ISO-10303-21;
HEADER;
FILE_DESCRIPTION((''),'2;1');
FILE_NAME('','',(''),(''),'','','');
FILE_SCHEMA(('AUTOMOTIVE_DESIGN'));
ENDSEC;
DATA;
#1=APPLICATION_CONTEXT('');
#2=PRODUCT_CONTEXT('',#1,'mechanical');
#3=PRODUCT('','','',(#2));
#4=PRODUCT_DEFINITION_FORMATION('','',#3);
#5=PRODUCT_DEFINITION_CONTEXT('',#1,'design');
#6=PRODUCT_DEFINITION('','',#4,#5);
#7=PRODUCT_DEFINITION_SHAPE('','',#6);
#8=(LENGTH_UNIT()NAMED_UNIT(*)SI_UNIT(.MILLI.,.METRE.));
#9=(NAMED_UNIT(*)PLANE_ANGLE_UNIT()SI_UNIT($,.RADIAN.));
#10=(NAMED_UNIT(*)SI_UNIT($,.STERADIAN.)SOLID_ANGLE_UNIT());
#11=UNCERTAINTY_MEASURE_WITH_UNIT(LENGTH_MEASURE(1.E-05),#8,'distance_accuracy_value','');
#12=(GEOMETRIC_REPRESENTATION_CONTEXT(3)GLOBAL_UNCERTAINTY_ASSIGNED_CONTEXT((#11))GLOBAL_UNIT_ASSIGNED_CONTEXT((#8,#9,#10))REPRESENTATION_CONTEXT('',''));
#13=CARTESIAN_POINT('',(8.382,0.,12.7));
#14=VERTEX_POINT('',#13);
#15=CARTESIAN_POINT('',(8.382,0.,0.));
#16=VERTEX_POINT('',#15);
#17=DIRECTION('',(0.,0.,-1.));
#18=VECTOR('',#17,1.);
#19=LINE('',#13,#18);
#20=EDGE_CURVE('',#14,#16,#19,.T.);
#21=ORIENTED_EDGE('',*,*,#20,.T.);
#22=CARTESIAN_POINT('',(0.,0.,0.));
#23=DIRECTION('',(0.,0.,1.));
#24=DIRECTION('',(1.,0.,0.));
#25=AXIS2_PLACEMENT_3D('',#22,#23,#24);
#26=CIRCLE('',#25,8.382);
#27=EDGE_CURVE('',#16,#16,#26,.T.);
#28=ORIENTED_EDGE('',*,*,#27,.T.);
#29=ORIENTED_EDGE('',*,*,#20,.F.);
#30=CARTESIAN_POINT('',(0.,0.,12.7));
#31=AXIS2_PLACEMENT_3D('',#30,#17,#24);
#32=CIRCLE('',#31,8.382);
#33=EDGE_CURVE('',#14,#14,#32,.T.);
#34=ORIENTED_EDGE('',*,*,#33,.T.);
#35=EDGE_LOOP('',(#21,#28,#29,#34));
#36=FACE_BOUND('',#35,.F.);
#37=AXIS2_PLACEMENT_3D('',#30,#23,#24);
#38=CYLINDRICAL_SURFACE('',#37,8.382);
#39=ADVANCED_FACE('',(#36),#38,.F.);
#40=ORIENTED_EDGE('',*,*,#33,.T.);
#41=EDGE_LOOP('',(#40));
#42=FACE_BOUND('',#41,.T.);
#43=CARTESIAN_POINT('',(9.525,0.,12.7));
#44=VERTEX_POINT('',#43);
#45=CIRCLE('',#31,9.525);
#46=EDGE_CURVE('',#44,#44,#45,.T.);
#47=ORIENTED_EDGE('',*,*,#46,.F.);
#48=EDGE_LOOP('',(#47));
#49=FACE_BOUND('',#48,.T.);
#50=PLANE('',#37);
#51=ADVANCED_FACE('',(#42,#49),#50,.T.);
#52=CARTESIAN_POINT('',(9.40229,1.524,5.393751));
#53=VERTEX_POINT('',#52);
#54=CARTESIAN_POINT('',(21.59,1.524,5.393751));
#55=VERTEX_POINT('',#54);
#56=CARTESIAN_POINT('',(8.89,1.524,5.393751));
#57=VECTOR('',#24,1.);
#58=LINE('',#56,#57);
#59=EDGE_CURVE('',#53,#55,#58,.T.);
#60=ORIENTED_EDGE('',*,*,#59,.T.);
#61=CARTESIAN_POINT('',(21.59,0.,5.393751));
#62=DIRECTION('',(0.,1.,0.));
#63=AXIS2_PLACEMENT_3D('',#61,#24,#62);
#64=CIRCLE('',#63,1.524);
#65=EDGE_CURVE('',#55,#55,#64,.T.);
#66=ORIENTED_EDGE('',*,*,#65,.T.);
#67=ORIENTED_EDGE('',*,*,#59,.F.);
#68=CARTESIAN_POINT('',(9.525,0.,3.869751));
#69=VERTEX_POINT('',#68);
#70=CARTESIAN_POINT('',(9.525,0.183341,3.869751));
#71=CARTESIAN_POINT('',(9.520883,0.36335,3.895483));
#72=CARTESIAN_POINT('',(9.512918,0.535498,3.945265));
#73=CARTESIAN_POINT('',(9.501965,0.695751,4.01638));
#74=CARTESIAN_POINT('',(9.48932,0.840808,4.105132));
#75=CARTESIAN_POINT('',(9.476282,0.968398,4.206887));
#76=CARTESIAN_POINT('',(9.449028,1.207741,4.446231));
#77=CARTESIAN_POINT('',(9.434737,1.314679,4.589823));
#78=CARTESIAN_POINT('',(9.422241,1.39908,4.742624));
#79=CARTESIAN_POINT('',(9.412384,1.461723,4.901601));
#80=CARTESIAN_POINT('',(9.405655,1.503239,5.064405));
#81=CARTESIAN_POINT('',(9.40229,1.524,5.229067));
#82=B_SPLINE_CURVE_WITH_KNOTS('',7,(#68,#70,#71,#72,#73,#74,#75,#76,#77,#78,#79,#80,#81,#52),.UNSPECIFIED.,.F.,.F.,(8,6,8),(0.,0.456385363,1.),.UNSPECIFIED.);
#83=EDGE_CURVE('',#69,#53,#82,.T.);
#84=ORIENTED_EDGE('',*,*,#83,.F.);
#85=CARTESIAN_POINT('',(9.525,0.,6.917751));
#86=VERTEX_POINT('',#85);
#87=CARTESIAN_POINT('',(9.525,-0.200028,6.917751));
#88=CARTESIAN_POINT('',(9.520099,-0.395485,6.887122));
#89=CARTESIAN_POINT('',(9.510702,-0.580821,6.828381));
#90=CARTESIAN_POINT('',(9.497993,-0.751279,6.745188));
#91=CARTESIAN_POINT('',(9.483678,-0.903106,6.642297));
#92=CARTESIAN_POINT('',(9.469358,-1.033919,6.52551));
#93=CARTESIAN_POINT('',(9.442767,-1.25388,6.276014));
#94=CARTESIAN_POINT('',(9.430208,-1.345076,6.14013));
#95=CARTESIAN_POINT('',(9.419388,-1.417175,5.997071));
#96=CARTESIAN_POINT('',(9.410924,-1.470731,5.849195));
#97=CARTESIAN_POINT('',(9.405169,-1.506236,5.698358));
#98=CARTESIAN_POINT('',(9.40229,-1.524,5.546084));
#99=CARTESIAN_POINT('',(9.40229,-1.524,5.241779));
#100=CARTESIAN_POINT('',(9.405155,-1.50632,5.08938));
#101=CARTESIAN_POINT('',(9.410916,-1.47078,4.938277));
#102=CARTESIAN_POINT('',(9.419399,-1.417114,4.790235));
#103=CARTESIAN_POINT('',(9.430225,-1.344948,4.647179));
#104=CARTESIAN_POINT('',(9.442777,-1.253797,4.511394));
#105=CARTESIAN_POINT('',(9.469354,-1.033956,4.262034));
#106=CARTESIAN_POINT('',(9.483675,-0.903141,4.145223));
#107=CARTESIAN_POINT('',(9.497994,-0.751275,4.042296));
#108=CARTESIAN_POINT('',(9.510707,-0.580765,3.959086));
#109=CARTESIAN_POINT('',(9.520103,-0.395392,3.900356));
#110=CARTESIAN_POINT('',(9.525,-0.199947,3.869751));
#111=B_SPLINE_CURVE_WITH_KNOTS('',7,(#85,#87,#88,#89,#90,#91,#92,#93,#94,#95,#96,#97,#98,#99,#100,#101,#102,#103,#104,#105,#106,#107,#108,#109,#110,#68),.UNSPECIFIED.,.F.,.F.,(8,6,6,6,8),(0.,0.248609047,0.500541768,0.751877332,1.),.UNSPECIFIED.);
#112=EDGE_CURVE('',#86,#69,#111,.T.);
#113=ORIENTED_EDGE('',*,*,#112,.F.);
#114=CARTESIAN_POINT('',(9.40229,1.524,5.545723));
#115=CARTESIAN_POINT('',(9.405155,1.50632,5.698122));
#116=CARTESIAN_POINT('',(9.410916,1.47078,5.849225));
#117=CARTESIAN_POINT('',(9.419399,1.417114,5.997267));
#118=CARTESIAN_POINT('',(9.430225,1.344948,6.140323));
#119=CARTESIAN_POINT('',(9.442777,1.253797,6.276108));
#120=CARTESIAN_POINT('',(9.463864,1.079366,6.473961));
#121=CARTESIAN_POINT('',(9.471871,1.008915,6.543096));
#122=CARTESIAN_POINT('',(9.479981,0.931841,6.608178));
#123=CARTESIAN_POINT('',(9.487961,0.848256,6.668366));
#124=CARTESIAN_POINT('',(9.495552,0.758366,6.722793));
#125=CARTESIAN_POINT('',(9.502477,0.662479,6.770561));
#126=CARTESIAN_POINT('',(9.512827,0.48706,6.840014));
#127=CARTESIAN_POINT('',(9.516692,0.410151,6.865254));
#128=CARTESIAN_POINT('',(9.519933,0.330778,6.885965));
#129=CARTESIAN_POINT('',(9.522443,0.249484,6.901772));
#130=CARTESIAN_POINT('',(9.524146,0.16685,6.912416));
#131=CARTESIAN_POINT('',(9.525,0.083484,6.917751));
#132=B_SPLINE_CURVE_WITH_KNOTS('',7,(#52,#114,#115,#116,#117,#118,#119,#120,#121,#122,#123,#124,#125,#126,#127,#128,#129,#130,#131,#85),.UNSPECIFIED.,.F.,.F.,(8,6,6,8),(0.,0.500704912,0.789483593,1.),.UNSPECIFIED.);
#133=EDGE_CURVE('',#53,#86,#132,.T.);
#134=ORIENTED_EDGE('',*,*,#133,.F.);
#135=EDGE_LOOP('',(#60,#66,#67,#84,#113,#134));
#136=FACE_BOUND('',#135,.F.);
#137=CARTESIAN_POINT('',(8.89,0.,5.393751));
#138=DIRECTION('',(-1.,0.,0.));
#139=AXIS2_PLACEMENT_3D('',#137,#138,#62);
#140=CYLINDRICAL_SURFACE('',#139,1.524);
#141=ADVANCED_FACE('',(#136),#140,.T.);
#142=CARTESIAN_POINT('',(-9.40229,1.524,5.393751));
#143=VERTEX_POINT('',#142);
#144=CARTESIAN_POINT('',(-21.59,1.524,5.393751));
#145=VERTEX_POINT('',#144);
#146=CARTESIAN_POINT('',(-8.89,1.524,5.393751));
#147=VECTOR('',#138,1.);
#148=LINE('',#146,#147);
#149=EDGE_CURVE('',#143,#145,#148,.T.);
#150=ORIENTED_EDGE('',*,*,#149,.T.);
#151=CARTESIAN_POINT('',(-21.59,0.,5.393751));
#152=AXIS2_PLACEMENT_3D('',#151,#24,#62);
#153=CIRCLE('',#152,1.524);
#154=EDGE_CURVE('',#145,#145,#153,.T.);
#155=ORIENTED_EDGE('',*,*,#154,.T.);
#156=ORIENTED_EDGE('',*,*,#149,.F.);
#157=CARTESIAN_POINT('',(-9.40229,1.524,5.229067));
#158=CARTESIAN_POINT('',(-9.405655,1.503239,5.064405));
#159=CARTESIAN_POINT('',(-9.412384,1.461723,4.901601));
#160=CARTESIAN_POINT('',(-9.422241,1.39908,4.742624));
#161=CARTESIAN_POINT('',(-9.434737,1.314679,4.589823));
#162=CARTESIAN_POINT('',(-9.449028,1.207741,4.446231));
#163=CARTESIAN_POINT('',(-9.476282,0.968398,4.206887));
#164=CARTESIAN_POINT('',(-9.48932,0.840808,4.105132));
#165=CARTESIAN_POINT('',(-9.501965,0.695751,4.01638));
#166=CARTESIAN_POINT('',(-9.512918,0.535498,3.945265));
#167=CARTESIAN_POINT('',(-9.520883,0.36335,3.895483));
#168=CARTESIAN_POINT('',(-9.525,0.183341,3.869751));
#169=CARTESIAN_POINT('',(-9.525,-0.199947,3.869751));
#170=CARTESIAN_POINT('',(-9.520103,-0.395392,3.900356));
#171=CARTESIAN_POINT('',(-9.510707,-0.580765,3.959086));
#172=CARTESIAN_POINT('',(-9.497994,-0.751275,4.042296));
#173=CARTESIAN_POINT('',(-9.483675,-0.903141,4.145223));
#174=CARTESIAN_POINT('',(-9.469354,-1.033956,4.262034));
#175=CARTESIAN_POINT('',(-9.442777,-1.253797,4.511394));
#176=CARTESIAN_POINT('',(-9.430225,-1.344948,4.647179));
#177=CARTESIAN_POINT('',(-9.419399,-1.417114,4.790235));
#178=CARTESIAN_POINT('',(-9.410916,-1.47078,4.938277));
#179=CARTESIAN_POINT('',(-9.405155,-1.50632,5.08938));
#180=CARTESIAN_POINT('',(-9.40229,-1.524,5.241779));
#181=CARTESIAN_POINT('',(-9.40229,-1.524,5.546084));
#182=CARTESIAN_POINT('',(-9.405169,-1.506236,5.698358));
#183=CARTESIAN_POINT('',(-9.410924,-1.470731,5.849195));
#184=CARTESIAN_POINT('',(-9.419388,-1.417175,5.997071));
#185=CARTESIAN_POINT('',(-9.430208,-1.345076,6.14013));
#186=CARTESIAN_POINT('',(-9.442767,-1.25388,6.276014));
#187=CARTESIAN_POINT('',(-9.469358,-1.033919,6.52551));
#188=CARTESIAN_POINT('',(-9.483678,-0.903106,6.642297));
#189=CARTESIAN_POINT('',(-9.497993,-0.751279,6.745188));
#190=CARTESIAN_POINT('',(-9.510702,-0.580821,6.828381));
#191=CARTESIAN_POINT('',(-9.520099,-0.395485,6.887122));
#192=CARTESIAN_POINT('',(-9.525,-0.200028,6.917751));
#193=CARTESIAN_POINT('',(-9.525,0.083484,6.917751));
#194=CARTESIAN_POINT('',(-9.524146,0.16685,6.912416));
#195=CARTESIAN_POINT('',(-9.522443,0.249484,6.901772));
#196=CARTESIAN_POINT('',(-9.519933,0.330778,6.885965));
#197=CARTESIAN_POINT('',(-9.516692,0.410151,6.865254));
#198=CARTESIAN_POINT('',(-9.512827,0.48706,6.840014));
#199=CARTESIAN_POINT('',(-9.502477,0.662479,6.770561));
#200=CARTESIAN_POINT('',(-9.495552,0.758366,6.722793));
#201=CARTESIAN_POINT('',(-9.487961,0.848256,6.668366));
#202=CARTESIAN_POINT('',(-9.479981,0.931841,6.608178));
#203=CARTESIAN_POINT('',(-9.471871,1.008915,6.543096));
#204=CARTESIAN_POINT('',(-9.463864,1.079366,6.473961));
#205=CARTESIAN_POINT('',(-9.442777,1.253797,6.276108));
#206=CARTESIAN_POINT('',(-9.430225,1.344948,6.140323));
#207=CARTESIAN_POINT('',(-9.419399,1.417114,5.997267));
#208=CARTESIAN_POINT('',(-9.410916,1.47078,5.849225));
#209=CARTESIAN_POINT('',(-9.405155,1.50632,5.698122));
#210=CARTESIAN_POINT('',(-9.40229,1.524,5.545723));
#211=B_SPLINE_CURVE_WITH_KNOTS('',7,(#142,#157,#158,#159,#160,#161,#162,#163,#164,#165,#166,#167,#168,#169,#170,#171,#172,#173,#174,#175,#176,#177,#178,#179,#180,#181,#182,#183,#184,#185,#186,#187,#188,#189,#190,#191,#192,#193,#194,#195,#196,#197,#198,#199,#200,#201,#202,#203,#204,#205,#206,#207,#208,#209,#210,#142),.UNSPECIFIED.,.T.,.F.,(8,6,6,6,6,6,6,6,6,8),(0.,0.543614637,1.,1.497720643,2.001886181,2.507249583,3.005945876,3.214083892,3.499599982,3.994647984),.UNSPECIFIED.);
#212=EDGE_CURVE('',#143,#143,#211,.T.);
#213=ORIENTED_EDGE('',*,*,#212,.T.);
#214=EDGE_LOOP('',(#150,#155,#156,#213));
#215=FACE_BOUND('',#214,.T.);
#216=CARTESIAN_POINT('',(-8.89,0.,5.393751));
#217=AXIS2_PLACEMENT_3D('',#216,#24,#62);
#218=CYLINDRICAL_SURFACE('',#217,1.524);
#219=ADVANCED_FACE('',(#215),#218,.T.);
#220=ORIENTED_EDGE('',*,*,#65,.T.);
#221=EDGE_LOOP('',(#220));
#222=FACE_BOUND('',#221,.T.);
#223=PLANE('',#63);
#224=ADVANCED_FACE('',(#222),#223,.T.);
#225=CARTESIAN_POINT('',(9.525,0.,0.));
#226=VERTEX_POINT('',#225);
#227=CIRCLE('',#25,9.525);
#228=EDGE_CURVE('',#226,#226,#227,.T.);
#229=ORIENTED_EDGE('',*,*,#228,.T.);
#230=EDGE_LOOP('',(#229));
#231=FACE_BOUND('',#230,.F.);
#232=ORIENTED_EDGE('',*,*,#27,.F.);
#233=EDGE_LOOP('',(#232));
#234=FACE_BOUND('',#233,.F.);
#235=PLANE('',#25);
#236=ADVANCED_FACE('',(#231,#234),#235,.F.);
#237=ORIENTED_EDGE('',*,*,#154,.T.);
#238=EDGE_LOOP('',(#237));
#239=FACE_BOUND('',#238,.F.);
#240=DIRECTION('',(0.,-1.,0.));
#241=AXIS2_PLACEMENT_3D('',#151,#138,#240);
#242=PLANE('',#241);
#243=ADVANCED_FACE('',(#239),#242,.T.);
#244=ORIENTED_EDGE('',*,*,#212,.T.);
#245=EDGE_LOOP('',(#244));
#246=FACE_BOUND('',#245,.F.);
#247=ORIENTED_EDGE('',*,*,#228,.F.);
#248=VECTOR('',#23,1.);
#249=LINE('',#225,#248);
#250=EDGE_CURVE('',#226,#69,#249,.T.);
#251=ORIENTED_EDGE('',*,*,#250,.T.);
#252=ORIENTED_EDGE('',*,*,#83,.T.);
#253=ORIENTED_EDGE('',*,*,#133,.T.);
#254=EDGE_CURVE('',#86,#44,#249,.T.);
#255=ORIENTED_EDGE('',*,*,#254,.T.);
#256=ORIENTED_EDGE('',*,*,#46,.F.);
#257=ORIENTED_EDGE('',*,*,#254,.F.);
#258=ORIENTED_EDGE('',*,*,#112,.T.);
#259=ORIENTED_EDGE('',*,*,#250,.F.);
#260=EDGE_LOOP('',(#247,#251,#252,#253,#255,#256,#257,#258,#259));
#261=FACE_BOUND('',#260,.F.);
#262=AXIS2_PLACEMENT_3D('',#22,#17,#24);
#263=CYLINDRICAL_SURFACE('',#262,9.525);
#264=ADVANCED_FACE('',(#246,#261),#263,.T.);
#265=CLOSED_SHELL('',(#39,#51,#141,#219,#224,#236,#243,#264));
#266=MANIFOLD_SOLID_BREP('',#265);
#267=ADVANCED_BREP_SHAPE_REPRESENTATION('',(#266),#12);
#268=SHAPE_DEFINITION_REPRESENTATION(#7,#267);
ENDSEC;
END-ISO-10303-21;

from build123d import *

# Parameters (mm, degrees)
F0_R     = 9.525
F1_DEPTH = 12.7
F2_R     = 8.382
F3_DEPTH = 25.4
F5_R     = 1.524
F6_DEPTH = 12.7


with BuildPart() as f1:
    # F0 (on Top) → F1 (new body)
    with BuildSketch(Plane.XY):
        Circle(F0_R)
    extrude(amount=F1_DEPTH)

    # F2 (on face) → F3 (cut)
    with BuildSketch(Plane.XY.offset(12.7)):
        Circle(F2_R)
    extrude(amount=-F3_DEPTH, mode=Mode.SUBTRACT)

    # F5 (on offset) → F6 (join)
    with BuildSketch(Plane.YZ.offset(8.89)):
        with Locations((0, 5.393751)):
            Circle(F5_R)
    extrude(amount=F6_DEPTH)

    # F7: F1 across plane


with BuildPart() as f1_1:
    add(f1.part)
    add(f1.part.mirror(Plane.YZ))


solid = f1_1.part
